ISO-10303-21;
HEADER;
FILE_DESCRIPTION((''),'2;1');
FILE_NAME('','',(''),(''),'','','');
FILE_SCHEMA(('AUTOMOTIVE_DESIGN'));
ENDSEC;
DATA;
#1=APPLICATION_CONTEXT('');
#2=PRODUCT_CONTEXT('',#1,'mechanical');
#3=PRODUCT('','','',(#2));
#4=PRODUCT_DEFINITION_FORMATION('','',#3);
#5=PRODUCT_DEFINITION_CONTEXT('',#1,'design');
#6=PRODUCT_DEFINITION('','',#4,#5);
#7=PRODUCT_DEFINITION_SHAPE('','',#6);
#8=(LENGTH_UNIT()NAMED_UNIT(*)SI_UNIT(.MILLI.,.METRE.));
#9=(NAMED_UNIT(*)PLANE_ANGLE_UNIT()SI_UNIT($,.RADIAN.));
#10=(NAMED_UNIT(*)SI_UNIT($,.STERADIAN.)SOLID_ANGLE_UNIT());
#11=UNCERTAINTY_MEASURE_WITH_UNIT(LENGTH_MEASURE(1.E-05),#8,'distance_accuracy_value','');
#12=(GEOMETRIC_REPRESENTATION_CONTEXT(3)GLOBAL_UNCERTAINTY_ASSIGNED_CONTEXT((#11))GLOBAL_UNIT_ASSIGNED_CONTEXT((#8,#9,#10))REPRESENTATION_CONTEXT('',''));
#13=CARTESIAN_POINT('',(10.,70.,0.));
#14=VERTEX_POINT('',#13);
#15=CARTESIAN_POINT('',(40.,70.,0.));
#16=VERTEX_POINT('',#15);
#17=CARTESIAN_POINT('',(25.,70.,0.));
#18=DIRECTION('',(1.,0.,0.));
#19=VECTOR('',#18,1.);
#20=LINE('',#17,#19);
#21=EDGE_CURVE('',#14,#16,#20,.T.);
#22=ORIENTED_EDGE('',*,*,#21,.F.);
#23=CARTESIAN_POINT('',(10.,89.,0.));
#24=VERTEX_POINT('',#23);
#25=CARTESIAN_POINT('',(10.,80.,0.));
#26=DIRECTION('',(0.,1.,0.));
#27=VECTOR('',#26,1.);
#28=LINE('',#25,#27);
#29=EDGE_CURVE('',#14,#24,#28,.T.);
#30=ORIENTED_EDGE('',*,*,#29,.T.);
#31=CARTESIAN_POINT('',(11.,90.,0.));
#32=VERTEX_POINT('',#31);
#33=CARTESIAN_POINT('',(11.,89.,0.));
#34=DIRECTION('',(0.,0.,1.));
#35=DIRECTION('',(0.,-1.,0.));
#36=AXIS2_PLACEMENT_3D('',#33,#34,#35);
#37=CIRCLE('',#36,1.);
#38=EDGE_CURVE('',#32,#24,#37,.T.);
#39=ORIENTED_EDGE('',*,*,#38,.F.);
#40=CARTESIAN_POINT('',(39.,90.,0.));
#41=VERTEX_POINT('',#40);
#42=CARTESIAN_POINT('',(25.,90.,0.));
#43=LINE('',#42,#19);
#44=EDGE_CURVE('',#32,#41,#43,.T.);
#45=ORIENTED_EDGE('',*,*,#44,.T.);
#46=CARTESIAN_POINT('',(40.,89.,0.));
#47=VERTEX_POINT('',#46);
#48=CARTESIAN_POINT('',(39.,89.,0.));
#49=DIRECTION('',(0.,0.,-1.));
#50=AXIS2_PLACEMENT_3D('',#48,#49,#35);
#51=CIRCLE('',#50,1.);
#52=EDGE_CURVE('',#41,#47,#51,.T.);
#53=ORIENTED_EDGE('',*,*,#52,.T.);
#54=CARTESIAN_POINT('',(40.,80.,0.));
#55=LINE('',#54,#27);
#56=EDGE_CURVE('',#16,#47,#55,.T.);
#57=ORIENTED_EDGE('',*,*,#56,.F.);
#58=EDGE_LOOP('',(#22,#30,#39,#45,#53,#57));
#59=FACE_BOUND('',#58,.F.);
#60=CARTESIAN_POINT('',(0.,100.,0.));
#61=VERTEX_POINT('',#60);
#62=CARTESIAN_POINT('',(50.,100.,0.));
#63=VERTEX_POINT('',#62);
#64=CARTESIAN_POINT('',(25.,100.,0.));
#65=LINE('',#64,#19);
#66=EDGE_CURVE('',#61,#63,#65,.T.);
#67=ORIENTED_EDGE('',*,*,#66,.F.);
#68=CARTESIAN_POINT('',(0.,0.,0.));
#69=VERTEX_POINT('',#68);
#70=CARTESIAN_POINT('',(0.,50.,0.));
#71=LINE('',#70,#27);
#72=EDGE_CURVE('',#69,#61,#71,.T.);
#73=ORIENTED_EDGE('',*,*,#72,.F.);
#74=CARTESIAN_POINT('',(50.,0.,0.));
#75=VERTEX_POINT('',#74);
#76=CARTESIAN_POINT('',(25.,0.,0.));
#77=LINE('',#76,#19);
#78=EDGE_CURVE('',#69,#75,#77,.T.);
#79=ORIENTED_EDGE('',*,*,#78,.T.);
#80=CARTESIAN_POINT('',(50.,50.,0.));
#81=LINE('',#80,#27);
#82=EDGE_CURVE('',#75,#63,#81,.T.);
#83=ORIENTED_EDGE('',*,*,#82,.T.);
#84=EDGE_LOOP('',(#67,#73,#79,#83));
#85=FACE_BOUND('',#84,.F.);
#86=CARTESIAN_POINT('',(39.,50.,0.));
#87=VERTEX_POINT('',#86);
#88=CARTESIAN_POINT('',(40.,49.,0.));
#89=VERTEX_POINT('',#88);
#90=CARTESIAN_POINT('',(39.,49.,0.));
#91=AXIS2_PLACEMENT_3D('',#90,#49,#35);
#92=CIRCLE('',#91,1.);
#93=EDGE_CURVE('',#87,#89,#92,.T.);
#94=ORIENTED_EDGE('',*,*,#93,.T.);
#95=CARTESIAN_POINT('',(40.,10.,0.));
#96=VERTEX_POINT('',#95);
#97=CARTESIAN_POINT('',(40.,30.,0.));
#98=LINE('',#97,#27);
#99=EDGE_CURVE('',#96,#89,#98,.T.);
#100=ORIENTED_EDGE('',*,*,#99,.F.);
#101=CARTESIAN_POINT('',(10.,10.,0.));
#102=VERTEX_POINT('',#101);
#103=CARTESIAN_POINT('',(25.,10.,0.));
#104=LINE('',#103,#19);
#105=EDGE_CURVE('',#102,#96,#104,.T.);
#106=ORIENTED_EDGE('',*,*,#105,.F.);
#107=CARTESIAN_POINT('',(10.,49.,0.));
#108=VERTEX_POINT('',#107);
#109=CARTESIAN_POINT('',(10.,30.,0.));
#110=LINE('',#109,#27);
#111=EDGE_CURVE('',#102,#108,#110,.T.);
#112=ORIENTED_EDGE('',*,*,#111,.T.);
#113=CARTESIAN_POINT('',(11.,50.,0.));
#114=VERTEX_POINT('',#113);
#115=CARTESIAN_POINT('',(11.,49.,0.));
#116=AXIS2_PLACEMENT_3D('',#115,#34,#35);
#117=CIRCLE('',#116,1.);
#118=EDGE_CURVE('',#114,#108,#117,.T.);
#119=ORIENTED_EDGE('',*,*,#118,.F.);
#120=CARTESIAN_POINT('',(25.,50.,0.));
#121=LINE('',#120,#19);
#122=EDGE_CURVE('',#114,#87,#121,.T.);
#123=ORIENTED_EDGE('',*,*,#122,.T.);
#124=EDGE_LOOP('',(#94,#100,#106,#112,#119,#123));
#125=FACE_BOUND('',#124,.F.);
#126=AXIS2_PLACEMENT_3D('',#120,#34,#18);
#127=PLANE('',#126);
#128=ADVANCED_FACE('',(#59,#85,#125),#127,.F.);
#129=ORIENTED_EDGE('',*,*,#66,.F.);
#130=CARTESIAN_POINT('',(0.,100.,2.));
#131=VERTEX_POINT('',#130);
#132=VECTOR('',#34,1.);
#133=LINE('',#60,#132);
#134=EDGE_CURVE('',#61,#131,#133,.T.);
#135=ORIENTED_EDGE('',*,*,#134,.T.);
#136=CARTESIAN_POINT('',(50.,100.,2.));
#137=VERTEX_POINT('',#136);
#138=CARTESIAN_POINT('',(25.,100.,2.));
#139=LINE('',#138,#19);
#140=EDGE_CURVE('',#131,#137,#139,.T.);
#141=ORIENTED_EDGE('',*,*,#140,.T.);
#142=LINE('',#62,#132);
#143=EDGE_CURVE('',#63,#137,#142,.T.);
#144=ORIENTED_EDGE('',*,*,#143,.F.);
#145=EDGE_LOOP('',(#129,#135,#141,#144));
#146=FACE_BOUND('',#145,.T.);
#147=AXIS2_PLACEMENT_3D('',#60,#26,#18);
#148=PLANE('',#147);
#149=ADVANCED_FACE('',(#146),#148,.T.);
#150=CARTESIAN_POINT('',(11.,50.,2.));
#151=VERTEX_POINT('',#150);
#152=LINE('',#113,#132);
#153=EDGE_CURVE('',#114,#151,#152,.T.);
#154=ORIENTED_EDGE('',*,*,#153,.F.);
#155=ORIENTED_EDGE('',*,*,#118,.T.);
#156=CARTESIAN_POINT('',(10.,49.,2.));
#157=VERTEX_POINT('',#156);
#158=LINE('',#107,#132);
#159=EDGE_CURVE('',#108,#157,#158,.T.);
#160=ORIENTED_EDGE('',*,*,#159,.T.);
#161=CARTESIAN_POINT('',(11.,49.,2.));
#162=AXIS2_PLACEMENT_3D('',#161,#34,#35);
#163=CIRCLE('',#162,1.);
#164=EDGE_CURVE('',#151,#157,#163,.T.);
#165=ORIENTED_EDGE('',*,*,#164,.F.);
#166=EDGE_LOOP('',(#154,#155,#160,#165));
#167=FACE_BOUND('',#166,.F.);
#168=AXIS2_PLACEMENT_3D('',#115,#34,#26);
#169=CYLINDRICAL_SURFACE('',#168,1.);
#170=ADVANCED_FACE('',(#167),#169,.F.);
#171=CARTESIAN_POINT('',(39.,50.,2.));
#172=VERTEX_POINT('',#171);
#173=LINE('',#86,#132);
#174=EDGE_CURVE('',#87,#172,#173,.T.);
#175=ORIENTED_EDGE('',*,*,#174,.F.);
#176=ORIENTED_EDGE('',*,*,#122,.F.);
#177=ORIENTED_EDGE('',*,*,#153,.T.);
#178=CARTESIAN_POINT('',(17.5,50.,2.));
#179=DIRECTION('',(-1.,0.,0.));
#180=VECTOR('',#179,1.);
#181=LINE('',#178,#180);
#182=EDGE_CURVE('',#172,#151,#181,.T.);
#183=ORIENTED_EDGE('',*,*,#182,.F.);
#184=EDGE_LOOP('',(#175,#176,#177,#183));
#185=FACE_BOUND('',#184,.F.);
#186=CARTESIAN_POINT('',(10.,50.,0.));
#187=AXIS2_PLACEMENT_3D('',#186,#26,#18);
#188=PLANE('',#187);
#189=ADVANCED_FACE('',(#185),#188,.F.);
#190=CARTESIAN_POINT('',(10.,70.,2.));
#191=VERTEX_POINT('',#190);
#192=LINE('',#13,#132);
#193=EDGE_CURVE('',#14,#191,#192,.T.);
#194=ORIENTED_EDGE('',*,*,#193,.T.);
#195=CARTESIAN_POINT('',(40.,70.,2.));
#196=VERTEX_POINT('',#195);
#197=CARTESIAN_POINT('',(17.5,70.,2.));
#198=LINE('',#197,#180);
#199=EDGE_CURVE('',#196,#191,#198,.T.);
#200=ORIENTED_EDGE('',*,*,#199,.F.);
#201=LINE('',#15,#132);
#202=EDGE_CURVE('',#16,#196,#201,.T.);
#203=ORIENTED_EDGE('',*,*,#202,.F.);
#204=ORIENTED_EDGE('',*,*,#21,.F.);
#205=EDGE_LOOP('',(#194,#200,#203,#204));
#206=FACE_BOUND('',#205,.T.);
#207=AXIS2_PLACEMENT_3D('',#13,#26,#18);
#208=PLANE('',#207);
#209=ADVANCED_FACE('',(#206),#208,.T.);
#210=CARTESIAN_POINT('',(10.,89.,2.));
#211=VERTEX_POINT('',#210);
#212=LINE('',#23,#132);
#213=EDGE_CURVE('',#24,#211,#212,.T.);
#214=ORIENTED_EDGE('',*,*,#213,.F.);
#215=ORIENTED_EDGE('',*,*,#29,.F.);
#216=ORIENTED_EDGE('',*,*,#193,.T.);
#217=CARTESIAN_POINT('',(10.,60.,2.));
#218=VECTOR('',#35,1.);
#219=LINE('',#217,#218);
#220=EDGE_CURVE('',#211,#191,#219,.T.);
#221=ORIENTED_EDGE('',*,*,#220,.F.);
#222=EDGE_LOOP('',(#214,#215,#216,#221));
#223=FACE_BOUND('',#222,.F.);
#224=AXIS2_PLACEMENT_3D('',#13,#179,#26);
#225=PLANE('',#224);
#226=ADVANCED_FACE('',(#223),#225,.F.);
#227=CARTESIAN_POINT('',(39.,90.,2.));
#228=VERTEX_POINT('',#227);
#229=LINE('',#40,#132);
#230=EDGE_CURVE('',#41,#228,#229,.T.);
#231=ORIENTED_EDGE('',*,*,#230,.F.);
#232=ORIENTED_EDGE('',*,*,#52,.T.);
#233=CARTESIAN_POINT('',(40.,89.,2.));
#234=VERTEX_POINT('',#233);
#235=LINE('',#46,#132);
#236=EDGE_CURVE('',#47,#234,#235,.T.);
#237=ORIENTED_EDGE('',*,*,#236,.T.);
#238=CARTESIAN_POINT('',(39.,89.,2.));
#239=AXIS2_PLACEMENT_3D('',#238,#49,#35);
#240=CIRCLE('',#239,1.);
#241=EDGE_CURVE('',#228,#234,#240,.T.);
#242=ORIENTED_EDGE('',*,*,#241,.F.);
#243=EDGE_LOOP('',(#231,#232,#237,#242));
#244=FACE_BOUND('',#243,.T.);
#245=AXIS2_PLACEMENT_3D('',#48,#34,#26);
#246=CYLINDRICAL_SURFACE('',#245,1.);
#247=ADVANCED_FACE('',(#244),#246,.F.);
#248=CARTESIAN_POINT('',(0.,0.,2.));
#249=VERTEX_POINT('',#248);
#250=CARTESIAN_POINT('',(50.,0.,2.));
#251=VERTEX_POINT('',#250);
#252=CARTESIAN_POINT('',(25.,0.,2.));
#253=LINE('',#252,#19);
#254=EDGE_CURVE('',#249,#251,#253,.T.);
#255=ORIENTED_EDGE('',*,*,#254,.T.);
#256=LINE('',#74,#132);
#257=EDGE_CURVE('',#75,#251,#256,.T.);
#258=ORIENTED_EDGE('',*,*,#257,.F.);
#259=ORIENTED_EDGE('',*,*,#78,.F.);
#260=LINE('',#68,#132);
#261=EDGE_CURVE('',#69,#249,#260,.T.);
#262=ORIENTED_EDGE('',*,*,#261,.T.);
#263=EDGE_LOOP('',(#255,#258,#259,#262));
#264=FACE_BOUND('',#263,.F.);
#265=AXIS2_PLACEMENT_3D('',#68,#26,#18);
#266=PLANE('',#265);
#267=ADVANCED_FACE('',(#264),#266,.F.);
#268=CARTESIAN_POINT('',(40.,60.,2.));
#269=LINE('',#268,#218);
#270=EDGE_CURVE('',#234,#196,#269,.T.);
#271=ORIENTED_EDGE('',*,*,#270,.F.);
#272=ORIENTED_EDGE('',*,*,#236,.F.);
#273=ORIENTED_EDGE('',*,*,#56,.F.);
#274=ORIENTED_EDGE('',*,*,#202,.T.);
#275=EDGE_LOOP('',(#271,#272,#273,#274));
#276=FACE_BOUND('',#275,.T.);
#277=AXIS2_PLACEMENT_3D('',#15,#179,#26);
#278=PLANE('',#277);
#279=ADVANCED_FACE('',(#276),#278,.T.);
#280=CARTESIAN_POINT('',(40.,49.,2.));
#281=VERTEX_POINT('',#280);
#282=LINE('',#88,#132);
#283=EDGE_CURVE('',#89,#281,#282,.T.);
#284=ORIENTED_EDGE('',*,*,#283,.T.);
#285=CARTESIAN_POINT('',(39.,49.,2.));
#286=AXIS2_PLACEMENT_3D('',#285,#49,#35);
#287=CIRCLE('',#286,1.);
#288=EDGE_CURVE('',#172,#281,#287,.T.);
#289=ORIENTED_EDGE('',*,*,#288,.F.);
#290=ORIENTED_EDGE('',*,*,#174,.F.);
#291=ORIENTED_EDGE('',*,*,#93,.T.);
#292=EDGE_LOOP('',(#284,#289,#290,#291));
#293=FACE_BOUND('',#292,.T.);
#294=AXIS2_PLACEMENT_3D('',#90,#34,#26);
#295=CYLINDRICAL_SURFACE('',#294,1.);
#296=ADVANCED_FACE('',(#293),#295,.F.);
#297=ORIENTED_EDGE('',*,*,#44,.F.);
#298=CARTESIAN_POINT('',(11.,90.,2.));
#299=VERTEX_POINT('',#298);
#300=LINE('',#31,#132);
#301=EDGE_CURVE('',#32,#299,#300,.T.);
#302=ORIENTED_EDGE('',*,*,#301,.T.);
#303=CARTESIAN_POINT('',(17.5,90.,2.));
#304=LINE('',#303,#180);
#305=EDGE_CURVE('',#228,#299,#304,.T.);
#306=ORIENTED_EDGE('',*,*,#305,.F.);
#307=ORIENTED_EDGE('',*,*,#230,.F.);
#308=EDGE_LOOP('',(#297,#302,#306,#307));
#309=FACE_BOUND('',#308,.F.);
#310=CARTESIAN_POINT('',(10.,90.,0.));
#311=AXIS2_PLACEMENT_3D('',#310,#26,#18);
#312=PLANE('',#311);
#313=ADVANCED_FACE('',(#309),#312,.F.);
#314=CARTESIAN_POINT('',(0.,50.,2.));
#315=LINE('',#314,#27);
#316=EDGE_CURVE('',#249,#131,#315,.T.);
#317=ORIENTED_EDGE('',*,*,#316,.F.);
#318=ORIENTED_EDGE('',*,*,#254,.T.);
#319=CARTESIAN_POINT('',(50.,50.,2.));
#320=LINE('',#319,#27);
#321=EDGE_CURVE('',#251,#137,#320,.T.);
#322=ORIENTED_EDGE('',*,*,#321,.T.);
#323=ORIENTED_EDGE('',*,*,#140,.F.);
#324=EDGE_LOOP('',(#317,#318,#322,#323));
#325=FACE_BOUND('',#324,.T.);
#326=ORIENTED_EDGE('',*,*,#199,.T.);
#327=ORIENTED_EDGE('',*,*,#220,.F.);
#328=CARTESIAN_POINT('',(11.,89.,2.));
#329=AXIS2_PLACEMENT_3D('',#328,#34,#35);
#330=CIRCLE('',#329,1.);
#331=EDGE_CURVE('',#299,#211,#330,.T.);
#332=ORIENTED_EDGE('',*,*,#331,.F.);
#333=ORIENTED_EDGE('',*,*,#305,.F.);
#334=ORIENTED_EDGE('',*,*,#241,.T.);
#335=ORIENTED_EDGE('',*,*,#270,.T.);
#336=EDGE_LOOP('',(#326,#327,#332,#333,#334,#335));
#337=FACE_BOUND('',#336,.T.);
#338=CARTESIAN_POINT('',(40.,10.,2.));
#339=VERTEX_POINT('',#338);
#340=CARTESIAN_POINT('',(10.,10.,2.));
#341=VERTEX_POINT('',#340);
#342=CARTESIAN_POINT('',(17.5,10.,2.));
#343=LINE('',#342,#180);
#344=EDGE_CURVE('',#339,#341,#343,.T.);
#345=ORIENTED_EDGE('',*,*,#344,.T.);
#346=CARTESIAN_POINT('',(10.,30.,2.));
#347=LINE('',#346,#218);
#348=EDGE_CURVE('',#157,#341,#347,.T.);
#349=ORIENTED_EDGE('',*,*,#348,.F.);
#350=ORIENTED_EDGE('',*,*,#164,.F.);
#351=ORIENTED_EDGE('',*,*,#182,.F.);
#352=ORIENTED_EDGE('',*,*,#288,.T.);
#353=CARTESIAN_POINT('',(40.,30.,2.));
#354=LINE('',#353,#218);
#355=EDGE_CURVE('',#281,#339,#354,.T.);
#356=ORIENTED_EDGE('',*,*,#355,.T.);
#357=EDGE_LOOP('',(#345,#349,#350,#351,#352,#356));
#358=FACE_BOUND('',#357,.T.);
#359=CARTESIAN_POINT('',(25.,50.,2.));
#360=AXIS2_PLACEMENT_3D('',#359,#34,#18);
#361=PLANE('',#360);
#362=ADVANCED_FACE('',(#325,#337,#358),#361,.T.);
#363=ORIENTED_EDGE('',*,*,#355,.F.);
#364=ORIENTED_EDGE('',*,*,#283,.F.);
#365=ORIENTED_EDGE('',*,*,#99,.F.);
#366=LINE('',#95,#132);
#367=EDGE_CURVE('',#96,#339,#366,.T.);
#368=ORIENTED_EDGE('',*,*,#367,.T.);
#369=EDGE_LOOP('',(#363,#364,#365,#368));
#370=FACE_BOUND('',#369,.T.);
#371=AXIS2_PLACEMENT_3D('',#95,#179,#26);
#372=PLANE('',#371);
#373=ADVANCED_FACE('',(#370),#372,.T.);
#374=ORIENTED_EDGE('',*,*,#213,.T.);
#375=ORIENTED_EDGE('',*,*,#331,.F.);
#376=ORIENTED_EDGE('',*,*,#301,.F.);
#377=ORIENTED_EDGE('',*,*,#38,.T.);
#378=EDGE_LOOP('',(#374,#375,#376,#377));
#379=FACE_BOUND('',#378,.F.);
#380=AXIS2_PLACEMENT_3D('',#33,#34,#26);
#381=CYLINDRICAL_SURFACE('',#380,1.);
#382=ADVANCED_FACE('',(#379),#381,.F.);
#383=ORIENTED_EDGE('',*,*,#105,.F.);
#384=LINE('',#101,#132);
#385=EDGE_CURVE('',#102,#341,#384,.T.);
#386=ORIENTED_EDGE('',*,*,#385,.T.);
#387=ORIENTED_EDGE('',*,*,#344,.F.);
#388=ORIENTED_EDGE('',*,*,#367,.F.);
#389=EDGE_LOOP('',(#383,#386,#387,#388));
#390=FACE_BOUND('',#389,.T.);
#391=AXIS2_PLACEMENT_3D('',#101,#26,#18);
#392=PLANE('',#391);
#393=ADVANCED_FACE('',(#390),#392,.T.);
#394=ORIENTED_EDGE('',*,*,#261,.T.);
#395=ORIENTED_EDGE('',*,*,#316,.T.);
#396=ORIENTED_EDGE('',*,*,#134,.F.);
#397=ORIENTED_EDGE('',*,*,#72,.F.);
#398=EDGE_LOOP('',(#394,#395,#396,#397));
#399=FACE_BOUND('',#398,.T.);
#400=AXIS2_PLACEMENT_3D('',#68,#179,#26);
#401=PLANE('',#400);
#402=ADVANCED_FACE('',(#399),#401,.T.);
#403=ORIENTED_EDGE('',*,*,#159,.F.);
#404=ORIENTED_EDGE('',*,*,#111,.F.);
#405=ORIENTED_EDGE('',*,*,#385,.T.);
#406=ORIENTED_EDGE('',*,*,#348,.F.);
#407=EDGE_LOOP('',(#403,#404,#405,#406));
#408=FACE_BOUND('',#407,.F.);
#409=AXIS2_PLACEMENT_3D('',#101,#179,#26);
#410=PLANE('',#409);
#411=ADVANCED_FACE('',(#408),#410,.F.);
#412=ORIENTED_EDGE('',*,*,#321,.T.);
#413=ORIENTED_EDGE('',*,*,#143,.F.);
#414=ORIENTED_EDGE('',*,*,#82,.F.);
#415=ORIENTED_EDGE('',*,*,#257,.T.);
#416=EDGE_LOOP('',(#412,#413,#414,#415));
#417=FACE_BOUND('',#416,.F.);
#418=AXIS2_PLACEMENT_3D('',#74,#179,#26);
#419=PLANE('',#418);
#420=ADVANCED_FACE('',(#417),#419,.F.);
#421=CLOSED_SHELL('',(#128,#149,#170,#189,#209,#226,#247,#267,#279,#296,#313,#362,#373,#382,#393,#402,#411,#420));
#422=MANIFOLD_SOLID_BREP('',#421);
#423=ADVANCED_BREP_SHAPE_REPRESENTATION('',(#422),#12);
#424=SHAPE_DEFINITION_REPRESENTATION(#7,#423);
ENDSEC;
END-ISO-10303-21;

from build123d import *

# Parameters (mm, degrees)
BOX001_W     = 30
BOX001_H     = 40
BOX001_DEPTH = 10
BOX002_W     = 30
BOX002_H     = 20
BOX002_DEPTH = 10
BOX_W        = 50
BOX_H        = 100
BOX_DEPTH    = 2
FILLET001_R  = 1
FILLET002_R  = 1


with BuildPart() as cubo001:
    # Box001 → Box001 (new body)
    with BuildSketch(Plane(origin=(10, 10, 0), x_dir=(1, 0, 0), z_dir=(0, 0, 1))):
        with Locations((15, 20)):
            Rectangle(BOX001_W, BOX001_H)
    extrude(amount=BOX001_DEPTH)


with BuildPart() as fusion:
    # Box002 → Box002 (new body)
    with BuildSketch(Plane(origin=(10, 70, 0), x_dir=(1, 0, 0), z_dir=(0, 0, 1))):
        with Locations((15, 10)):
            Rectangle(BOX002_W, BOX002_H)
    extrude(amount=BOX002_DEPTH)

    # Fusion: union Cubo001
    add(cubo001.part)


with BuildPart() as fillet002:
    # Box → Box (new body)
    with BuildSketch(Plane.XY):
        with Locations((25, 50)):
            Rectangle(BOX_W, BOX_H)
    extrude(amount=BOX_DEPTH)

    # Cut: cut Fusion
    add(fusion.part, mode=Mode.SUBTRACT)

    # Fillet001
    fillet001_edges = [fillet002.edges().sort_by_distance(p)[0] for p in [
        (10, 50, 1),
        (10, 90, 1),
    ]]
    fillet(fillet001_edges, radius=FILLET001_R)

    # Fillet002
    fillet002_edges = [fillet002.edges().sort_by_distance(p)[0] for p in [
        (40, 50, 1),
        (40, 90, 1),
    ]]
    fillet(fillet002_edges, radius=FILLET002_R)


solid = fillet002.part
